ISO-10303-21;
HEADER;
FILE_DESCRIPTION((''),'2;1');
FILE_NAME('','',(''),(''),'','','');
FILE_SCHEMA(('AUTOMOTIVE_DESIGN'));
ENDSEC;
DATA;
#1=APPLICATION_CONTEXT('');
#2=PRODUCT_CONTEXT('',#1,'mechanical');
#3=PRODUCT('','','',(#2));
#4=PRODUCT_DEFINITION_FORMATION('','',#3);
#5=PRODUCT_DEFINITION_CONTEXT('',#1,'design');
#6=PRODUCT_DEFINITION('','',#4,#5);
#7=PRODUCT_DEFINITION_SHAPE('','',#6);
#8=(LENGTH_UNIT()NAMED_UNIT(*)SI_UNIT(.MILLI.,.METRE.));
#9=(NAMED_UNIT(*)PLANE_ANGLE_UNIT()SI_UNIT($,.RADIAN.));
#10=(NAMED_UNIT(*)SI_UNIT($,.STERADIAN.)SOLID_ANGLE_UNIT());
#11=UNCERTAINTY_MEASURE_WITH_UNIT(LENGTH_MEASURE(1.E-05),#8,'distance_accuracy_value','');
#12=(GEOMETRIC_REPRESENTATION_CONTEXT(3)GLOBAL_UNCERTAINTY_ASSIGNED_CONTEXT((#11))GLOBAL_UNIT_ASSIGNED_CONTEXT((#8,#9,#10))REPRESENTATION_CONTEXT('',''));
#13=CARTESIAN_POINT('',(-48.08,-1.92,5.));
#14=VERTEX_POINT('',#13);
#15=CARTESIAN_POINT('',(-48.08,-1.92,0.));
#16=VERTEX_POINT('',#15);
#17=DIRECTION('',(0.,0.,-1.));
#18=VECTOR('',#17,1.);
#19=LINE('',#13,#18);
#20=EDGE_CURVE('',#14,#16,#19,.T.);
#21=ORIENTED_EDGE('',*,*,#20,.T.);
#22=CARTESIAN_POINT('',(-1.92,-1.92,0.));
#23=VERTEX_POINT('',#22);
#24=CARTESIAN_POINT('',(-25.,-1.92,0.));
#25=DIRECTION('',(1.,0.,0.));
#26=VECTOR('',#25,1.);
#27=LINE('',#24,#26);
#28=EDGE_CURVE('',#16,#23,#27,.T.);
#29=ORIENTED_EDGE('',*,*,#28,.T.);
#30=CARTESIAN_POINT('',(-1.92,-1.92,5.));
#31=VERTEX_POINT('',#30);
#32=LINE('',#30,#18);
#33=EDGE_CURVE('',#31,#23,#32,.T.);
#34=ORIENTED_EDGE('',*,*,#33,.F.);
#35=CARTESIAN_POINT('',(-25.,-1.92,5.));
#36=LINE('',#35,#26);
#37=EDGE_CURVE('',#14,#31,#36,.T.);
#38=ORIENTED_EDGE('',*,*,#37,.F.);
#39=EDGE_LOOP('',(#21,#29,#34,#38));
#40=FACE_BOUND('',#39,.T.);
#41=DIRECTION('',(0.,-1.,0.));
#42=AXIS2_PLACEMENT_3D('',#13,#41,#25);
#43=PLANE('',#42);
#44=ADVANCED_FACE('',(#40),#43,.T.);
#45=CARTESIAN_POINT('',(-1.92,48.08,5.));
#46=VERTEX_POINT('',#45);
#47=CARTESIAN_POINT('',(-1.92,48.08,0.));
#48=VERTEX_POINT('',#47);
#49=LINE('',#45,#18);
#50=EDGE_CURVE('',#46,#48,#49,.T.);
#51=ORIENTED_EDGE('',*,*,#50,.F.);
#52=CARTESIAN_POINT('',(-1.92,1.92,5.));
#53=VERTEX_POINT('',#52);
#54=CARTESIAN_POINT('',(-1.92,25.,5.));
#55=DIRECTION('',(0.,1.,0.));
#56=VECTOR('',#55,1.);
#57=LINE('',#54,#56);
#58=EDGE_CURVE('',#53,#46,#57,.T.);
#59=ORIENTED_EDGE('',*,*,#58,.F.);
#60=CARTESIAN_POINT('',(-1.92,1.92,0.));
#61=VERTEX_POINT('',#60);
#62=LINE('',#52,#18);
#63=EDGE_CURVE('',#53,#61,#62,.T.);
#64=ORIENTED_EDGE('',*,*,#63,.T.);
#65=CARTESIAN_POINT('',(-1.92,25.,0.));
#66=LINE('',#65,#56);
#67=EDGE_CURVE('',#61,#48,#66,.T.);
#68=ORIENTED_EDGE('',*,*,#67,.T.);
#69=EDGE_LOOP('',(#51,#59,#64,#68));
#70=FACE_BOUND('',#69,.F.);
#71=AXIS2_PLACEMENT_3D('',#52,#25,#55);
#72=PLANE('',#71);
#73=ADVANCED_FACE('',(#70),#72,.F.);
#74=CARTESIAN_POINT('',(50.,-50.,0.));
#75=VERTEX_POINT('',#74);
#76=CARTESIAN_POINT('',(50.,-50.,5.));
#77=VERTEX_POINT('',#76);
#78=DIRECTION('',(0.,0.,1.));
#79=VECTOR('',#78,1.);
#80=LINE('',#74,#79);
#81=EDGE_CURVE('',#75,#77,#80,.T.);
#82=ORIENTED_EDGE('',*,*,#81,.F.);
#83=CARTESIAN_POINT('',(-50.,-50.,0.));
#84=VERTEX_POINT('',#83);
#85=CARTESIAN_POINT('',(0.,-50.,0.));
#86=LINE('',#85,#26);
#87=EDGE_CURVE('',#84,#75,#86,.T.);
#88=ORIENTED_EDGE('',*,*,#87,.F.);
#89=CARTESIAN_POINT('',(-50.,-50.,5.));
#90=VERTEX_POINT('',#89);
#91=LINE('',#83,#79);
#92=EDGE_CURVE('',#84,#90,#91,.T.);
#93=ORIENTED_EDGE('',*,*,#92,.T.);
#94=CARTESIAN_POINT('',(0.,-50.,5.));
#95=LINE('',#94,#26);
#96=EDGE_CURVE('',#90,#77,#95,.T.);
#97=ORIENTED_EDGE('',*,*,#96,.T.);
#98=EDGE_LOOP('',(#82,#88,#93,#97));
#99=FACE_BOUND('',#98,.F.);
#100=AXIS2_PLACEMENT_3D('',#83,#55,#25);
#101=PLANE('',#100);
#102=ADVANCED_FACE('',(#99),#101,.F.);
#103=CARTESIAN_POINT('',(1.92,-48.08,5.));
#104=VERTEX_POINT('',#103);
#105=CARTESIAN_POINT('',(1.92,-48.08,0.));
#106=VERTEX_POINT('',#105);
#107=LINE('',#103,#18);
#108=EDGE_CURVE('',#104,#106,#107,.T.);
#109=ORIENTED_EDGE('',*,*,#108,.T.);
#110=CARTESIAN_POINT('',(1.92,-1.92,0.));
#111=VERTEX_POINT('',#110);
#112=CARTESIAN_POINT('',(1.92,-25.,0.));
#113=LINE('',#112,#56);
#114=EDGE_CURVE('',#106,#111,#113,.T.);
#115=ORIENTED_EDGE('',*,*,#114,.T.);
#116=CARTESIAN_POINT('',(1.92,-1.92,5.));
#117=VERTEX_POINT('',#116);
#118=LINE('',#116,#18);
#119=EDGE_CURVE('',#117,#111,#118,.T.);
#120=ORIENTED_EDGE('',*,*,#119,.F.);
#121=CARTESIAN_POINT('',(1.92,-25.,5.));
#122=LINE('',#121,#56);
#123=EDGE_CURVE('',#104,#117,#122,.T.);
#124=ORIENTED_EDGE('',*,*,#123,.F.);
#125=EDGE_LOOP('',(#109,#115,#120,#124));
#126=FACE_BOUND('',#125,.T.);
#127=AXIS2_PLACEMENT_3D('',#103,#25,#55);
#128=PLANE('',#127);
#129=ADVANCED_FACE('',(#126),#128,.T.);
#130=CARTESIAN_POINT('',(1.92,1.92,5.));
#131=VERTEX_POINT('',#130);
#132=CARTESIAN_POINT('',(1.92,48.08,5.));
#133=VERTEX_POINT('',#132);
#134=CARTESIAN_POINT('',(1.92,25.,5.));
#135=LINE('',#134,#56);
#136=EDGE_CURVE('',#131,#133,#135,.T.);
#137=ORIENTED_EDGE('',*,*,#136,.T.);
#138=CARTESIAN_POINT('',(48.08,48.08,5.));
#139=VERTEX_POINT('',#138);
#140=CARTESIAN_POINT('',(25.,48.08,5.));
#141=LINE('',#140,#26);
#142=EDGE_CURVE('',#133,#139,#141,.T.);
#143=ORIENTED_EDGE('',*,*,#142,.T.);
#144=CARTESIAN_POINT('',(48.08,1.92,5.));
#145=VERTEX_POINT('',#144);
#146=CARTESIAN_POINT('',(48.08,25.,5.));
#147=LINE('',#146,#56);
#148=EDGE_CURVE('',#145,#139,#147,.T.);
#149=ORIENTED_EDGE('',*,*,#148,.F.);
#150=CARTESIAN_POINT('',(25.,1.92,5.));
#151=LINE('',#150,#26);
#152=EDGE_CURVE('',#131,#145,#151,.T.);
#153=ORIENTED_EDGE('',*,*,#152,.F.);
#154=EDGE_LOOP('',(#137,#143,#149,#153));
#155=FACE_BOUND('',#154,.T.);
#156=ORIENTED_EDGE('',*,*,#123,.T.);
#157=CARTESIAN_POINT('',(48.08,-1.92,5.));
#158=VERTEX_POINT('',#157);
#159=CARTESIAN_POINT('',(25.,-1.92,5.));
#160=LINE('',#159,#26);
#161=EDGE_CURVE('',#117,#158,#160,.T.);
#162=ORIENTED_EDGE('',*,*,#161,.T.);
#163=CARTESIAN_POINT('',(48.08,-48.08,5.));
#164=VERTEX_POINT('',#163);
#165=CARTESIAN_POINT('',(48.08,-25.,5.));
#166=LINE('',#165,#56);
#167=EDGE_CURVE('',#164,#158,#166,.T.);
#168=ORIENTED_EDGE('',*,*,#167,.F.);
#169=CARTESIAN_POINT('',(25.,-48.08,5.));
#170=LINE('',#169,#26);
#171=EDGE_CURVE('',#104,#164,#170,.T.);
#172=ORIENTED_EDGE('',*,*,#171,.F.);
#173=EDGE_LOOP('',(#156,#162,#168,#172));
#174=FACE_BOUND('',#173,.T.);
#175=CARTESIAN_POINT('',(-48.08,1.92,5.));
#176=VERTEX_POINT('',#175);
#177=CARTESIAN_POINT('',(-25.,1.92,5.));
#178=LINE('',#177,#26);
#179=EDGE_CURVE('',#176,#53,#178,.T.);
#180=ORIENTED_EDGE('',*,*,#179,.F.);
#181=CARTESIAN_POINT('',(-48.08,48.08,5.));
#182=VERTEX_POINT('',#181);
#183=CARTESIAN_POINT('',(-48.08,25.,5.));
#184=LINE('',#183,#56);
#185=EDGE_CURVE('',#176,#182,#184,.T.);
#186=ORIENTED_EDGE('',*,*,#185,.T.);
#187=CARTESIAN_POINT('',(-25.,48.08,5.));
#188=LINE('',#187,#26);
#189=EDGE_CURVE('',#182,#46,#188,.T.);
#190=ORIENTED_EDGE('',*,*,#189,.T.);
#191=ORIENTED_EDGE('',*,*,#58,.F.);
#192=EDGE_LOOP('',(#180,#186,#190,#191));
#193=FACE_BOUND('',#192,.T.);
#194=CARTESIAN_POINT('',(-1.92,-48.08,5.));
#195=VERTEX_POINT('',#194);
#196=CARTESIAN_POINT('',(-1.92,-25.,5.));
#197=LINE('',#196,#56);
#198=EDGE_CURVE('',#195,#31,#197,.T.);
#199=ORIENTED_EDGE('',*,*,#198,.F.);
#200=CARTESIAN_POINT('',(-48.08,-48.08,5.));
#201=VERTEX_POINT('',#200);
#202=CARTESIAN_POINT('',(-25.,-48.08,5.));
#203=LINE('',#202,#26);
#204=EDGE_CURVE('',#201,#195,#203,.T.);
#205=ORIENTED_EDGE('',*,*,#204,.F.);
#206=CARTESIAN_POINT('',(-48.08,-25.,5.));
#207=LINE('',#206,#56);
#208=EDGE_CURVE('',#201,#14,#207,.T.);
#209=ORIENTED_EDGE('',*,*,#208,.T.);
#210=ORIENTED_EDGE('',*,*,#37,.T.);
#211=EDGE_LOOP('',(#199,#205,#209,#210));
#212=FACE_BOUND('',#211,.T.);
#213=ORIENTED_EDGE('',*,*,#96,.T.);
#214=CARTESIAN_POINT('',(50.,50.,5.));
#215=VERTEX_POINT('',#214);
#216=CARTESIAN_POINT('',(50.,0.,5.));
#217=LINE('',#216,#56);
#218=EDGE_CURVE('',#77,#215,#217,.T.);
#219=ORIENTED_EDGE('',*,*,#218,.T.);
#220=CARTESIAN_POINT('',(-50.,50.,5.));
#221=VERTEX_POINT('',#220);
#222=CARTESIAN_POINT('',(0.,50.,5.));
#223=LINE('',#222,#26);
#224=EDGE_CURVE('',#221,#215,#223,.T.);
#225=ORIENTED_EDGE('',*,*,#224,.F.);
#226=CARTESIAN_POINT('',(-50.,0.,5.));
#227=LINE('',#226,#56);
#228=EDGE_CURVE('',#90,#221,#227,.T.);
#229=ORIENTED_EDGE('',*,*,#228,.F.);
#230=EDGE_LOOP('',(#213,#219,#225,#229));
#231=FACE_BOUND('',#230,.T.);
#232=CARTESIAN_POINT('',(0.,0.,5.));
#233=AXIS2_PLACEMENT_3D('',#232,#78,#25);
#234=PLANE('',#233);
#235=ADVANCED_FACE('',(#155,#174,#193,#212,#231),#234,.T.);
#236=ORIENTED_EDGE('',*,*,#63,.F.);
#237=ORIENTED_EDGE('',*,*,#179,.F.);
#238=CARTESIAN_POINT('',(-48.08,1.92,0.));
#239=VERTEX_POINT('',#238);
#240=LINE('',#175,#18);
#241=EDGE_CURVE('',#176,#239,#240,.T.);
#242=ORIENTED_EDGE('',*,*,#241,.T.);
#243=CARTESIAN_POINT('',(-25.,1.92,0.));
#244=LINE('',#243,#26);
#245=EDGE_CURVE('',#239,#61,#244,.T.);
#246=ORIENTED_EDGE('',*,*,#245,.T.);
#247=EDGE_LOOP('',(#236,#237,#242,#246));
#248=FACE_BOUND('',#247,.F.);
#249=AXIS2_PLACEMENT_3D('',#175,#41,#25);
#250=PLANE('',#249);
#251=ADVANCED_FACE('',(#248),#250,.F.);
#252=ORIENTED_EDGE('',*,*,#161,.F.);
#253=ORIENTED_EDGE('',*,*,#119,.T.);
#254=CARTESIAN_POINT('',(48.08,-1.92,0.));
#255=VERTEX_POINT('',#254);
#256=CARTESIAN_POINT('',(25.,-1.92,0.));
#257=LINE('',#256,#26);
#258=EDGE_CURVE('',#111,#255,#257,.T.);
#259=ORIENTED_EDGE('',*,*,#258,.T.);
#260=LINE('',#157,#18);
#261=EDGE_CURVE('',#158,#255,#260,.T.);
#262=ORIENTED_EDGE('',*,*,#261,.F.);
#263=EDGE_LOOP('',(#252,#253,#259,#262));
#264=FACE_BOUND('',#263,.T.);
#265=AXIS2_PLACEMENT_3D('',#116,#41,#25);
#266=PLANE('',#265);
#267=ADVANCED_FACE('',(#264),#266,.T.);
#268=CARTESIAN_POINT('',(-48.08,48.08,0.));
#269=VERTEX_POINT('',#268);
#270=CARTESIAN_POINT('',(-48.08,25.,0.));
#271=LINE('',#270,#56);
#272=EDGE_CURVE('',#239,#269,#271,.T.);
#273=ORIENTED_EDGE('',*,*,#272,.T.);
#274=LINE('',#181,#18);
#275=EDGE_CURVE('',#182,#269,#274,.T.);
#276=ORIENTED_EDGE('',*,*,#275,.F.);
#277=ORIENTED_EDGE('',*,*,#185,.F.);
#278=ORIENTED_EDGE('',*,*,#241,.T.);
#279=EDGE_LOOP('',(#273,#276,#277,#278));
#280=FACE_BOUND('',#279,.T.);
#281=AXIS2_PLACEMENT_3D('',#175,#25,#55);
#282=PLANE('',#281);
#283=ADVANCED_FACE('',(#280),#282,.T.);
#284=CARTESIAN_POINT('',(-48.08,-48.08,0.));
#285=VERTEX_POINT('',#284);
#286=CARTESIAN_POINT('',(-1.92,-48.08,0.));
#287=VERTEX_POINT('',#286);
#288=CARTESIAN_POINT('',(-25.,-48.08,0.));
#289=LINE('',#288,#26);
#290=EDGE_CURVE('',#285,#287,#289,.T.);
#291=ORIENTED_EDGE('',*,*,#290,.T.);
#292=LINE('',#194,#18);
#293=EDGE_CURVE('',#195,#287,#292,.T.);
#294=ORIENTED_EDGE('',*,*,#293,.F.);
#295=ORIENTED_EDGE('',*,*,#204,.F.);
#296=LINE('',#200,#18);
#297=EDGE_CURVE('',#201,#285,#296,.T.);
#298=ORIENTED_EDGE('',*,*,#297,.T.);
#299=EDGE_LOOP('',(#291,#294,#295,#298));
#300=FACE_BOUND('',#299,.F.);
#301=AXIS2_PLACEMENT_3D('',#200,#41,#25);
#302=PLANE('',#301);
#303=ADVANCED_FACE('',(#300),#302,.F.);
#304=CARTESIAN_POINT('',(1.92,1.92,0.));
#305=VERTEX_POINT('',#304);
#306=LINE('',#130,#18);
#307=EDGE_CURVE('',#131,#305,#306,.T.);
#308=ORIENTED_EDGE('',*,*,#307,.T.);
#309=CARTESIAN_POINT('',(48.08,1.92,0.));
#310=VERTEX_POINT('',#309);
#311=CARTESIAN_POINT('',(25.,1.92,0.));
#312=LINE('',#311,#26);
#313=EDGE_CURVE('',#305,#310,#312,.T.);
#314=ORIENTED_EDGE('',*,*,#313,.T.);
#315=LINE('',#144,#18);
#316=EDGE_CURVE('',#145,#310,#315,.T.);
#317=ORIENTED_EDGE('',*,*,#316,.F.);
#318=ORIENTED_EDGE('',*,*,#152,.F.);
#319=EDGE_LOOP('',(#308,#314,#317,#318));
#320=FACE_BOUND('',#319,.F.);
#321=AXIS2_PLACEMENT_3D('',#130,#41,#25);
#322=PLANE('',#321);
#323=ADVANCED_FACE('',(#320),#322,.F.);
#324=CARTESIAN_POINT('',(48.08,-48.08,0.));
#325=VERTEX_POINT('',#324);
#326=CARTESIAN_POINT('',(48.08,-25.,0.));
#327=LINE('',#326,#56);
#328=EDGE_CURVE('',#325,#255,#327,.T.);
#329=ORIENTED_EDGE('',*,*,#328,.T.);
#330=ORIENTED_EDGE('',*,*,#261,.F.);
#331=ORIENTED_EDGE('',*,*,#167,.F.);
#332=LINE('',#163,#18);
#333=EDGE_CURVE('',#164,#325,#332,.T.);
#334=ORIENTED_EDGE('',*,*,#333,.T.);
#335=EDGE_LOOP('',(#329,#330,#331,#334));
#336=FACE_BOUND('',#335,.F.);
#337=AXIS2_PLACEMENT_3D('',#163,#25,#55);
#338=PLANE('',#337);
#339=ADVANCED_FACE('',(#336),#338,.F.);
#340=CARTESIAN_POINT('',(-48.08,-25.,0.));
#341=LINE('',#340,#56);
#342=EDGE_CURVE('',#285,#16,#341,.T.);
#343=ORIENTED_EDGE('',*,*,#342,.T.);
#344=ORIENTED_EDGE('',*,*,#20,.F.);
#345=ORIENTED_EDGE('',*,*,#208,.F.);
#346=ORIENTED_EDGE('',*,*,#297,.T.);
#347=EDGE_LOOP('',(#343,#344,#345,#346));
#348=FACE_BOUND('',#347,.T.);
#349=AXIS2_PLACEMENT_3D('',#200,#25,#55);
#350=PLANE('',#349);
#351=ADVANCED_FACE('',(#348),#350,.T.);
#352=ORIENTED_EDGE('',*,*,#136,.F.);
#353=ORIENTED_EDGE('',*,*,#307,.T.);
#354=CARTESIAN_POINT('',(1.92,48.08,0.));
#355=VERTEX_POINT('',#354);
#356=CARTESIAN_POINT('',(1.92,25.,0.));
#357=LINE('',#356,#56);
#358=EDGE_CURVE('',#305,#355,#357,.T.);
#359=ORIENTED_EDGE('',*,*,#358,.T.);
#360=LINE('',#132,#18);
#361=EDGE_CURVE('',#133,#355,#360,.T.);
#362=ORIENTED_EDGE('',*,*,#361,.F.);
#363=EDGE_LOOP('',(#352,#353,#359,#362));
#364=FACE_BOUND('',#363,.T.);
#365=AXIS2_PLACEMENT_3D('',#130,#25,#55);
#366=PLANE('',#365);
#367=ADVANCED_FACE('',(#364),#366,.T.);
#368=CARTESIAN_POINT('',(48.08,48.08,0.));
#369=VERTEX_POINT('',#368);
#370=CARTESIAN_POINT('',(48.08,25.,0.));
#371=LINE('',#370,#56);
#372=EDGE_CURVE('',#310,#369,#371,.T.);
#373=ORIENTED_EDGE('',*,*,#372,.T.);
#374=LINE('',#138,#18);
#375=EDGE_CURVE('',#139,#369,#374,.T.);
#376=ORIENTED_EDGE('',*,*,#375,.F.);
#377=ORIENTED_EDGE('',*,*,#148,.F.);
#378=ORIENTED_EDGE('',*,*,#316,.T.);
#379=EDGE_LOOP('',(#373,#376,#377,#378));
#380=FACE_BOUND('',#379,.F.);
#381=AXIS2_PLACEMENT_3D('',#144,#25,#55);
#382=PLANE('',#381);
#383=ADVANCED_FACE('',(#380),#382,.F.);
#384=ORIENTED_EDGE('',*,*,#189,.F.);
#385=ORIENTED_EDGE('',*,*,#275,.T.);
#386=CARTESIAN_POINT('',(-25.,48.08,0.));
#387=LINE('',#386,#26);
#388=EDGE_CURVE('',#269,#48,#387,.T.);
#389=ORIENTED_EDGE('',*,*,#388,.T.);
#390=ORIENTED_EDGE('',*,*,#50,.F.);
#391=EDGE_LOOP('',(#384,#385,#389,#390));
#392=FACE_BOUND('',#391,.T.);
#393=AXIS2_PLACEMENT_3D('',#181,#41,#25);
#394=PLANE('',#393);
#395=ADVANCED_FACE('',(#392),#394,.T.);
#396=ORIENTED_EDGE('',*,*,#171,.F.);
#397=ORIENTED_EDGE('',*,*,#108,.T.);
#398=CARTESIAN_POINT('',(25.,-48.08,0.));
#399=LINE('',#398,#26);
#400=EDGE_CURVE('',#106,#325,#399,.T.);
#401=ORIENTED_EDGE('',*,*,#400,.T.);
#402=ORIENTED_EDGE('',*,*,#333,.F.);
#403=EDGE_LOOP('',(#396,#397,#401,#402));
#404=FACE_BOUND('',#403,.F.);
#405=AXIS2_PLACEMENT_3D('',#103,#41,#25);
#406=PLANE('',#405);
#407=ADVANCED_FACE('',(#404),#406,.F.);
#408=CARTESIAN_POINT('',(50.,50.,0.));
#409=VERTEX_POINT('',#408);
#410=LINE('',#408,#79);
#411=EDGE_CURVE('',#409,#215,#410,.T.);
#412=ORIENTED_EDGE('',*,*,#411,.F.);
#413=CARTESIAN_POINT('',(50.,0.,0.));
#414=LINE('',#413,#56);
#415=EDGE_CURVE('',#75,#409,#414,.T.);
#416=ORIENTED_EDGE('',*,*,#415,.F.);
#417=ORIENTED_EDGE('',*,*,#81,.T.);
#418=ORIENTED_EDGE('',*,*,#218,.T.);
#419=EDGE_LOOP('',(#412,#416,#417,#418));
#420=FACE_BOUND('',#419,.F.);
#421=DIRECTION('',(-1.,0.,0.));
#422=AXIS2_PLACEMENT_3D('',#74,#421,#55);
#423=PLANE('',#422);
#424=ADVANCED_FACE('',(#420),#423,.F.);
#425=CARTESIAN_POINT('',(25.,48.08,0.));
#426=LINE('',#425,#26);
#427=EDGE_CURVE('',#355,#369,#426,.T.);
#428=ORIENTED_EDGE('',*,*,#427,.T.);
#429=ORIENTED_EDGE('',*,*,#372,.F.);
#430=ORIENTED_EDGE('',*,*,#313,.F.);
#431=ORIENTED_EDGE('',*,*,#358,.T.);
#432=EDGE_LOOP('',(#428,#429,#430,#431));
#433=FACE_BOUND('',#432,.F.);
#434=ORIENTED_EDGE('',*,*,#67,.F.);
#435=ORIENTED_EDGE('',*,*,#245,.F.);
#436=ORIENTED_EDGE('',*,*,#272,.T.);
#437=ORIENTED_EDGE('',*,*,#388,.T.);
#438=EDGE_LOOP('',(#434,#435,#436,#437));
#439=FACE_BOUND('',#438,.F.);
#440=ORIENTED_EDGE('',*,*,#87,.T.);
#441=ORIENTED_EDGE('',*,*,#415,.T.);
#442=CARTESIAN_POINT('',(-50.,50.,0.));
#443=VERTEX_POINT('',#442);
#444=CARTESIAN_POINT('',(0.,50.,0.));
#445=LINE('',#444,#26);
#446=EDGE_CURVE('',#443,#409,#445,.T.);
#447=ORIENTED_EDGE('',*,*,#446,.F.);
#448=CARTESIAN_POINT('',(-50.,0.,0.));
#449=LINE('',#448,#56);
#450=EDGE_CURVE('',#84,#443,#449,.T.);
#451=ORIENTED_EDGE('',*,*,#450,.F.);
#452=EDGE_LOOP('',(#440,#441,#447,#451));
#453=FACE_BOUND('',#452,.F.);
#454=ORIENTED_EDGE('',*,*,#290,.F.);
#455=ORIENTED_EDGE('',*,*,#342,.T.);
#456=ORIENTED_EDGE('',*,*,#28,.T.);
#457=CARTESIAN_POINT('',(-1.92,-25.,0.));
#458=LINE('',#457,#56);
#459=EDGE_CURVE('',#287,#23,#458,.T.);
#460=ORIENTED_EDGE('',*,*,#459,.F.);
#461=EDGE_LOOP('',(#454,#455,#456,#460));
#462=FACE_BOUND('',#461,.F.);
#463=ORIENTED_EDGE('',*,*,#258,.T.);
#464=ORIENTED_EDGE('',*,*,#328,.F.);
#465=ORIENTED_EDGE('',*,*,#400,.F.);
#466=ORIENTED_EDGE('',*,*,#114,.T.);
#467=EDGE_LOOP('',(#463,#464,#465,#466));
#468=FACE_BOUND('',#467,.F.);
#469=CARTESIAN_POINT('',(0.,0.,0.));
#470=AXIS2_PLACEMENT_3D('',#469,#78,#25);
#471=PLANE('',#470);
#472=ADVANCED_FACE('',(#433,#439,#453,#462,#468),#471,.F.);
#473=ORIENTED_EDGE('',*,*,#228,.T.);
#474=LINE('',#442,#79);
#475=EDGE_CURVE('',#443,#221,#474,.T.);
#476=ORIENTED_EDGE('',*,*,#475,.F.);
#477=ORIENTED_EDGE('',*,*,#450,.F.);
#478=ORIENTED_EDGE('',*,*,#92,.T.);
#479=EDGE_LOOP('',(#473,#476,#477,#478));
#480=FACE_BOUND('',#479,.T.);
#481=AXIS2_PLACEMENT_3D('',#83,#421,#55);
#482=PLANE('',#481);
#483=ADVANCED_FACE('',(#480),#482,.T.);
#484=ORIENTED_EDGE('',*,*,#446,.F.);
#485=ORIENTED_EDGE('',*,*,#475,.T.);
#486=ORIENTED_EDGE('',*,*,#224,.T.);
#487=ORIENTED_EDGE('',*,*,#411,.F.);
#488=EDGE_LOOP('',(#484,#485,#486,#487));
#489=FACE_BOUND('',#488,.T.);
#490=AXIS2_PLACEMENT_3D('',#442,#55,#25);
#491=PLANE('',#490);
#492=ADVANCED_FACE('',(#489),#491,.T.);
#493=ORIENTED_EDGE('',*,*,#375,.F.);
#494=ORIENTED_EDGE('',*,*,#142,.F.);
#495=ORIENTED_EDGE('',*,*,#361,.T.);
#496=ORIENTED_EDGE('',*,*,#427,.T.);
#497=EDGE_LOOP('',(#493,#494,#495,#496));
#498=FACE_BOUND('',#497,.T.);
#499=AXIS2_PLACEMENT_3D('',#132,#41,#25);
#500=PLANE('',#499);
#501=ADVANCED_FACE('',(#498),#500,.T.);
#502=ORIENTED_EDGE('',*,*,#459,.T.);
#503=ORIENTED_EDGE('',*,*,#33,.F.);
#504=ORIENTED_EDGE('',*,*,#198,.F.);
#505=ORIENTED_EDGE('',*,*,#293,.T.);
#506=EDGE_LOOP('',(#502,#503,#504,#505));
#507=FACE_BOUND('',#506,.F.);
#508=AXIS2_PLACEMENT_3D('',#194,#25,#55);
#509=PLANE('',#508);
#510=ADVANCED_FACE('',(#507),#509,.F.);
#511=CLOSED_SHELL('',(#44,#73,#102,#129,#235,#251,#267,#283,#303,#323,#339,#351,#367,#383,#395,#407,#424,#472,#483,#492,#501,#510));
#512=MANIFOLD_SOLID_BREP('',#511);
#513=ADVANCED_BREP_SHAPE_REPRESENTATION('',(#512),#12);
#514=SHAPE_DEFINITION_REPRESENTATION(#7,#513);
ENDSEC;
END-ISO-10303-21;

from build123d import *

# Parameters (mm, degrees)
F0_W     = 100
F0_H     = 100
F1_DEPTH = 5
F2_W     = 46.16
F2_H     = 46.16
F3_DEPTH = 5


with BuildPart() as f1:
    # F0 (on Top) → F1 (new body)
    with BuildSketch(Plane.XY):
        Rectangle(F0_W, F0_H)
    extrude(amount=F1_DEPTH)

    # F2 (on face) → F3 (cut, through all)
    with BuildSketch(Plane.XY.offset(5)):
        with Locations((-25, 25)):
            Rectangle(F2_W, F2_H)
        with Locations((25, 25)):
            Rectangle(F2_W, F2_H)
        with Locations((25, -25)):
            Rectangle(F2_W, F2_H)
        with Locations((-25, -25)):
            Rectangle(F2_W, F2_H)
    extrude(amount=-F3_DEPTH, mode=Mode.SUBTRACT)


solid = f1.part
